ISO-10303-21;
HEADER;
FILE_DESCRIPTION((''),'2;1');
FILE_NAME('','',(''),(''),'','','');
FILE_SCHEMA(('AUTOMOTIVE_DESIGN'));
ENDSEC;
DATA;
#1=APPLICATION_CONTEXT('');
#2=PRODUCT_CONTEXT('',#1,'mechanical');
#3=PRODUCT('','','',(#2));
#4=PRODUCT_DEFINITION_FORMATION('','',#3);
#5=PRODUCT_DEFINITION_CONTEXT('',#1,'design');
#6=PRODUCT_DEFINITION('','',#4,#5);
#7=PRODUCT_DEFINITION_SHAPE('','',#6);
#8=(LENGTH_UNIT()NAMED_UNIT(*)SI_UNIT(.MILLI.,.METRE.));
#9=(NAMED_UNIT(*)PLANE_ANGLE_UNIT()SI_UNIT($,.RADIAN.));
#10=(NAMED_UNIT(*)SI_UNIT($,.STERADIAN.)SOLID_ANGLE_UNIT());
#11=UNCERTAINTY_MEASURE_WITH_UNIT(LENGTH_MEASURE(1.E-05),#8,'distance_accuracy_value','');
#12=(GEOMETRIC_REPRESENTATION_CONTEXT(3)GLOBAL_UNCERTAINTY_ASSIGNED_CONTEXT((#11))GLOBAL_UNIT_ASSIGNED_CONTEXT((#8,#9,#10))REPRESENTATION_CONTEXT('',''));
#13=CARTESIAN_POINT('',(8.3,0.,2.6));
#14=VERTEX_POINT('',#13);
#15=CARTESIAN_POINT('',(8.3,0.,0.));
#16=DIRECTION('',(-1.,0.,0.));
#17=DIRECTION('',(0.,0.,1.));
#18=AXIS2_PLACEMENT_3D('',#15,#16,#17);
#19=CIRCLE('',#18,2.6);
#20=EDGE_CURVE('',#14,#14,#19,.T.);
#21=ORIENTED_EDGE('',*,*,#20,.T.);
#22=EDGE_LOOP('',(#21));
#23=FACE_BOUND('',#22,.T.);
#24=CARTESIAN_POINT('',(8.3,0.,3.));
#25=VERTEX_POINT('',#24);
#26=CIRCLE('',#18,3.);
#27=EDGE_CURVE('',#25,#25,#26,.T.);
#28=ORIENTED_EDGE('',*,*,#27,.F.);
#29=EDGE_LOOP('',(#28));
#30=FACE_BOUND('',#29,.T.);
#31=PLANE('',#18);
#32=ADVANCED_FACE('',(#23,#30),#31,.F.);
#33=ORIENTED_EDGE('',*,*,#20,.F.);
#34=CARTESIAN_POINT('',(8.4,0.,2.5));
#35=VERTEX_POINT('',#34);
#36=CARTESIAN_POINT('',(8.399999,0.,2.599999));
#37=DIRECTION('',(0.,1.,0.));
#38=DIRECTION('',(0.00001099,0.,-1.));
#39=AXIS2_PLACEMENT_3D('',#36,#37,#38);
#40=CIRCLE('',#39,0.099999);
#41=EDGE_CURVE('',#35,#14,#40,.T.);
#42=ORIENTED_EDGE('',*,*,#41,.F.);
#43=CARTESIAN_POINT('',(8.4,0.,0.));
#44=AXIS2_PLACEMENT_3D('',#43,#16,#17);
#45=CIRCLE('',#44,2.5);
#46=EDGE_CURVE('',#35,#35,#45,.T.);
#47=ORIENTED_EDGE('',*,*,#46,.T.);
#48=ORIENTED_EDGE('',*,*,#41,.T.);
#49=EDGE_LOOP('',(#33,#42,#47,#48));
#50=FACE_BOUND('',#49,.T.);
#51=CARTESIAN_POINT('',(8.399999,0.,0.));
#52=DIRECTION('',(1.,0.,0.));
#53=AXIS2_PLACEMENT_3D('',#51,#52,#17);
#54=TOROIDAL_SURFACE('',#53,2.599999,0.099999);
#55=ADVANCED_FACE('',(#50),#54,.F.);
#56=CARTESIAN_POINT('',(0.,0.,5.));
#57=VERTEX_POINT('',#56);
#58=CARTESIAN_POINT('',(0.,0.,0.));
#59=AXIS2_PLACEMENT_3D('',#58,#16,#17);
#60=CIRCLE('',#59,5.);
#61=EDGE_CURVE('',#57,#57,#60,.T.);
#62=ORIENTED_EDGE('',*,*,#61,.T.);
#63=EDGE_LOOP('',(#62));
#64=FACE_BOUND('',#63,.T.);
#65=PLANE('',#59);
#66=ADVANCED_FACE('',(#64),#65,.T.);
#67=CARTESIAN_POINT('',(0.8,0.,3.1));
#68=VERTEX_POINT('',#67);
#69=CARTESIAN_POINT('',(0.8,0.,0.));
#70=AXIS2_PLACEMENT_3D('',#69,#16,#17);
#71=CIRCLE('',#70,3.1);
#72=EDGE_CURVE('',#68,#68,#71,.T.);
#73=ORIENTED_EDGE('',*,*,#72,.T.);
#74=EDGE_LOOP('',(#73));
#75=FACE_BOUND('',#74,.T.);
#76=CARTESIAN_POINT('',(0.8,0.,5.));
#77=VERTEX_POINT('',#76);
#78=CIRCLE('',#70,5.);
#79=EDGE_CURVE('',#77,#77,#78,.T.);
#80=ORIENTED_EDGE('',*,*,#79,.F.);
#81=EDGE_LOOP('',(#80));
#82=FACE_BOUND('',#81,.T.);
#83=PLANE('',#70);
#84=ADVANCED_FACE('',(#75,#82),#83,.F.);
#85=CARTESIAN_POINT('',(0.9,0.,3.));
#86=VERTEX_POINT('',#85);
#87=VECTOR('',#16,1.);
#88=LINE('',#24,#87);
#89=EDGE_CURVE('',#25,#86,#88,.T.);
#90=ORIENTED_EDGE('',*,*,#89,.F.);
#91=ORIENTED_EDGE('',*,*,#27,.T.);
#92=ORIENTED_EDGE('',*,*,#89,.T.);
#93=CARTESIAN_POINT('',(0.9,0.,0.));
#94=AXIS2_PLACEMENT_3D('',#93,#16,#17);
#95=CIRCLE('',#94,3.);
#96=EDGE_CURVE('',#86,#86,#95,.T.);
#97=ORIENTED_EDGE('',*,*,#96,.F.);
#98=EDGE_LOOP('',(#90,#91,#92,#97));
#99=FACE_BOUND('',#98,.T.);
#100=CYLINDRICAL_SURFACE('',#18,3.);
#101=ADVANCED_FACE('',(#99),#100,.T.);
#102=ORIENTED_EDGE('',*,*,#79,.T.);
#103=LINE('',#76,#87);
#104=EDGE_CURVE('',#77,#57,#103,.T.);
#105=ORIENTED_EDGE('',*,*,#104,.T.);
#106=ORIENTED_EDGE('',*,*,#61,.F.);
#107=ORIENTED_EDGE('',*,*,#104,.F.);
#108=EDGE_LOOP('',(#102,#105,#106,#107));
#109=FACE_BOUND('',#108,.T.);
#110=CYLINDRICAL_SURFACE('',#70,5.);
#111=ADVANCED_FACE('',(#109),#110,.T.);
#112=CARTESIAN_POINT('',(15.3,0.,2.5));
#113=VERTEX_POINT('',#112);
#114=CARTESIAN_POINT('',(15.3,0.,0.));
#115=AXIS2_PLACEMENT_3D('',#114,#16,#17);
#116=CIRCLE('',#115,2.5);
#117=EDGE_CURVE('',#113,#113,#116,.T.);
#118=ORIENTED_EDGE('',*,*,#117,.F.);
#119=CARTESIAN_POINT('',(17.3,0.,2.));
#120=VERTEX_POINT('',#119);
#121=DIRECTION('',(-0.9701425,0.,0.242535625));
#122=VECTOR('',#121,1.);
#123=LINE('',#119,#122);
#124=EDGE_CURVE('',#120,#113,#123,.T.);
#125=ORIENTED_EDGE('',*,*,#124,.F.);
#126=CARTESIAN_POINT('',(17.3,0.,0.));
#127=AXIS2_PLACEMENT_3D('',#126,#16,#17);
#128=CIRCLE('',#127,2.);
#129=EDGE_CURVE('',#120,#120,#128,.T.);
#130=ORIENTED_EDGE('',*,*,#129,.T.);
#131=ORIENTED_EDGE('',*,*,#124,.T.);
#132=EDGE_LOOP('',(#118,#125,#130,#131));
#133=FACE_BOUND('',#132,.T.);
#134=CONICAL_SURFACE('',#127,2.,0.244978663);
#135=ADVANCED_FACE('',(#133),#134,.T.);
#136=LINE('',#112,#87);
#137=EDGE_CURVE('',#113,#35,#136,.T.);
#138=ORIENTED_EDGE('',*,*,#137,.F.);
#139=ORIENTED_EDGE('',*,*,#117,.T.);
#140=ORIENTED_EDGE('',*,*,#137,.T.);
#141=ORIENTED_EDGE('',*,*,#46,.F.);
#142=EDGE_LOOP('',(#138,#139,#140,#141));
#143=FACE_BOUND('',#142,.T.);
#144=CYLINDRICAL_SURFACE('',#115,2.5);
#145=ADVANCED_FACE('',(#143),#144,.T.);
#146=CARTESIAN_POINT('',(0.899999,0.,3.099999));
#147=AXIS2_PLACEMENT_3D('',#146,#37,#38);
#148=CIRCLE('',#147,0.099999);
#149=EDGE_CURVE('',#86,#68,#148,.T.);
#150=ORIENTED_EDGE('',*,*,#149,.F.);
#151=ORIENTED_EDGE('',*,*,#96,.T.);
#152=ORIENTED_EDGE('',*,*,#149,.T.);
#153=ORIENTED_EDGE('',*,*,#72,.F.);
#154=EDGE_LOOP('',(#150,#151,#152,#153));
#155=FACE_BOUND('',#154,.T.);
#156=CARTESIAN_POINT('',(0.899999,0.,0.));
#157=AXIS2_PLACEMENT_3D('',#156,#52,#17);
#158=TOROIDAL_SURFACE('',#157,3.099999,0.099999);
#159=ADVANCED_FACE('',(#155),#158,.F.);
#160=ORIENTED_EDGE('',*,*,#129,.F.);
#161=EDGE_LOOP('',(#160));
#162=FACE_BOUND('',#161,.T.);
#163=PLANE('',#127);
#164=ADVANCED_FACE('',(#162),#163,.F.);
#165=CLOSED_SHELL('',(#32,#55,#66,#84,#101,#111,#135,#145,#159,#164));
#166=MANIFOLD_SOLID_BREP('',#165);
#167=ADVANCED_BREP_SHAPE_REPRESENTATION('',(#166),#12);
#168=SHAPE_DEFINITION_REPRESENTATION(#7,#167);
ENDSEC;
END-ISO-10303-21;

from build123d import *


with BuildPart() as f1:
    # F0 (on Front) → F1 (revolve)
    with BuildSketch(Plane.XZ):
        with BuildLine():
            Line((0, 5), (0, 0))
            Line((0, 0), (17.3, 0))
            Line((17.3, 0), (17.3, 2))
            Line((17.3, 2), (15.3, 2.5))
            Line((15.3, 2.5), (8.4, 2.5))
            ThreePointArc((8.4, 2.5), (8.329289, 2.529289), (8.3, 2.6))
            Line((8.3, 2.6), (8.3, 3))
            Line((8.3, 3), (0.9, 3))
            ThreePointArc((0.9, 3), (0.829289, 3.029289), (0.8, 3.1))
            Line((0.8, 3.1), (0.8, 5))
            Line((0.8, 5), (0, 5))
        make_face()
    revolve(axis=Axis((8.65, 0, 0), (-1, 0, 0)))


solid = f1.part
